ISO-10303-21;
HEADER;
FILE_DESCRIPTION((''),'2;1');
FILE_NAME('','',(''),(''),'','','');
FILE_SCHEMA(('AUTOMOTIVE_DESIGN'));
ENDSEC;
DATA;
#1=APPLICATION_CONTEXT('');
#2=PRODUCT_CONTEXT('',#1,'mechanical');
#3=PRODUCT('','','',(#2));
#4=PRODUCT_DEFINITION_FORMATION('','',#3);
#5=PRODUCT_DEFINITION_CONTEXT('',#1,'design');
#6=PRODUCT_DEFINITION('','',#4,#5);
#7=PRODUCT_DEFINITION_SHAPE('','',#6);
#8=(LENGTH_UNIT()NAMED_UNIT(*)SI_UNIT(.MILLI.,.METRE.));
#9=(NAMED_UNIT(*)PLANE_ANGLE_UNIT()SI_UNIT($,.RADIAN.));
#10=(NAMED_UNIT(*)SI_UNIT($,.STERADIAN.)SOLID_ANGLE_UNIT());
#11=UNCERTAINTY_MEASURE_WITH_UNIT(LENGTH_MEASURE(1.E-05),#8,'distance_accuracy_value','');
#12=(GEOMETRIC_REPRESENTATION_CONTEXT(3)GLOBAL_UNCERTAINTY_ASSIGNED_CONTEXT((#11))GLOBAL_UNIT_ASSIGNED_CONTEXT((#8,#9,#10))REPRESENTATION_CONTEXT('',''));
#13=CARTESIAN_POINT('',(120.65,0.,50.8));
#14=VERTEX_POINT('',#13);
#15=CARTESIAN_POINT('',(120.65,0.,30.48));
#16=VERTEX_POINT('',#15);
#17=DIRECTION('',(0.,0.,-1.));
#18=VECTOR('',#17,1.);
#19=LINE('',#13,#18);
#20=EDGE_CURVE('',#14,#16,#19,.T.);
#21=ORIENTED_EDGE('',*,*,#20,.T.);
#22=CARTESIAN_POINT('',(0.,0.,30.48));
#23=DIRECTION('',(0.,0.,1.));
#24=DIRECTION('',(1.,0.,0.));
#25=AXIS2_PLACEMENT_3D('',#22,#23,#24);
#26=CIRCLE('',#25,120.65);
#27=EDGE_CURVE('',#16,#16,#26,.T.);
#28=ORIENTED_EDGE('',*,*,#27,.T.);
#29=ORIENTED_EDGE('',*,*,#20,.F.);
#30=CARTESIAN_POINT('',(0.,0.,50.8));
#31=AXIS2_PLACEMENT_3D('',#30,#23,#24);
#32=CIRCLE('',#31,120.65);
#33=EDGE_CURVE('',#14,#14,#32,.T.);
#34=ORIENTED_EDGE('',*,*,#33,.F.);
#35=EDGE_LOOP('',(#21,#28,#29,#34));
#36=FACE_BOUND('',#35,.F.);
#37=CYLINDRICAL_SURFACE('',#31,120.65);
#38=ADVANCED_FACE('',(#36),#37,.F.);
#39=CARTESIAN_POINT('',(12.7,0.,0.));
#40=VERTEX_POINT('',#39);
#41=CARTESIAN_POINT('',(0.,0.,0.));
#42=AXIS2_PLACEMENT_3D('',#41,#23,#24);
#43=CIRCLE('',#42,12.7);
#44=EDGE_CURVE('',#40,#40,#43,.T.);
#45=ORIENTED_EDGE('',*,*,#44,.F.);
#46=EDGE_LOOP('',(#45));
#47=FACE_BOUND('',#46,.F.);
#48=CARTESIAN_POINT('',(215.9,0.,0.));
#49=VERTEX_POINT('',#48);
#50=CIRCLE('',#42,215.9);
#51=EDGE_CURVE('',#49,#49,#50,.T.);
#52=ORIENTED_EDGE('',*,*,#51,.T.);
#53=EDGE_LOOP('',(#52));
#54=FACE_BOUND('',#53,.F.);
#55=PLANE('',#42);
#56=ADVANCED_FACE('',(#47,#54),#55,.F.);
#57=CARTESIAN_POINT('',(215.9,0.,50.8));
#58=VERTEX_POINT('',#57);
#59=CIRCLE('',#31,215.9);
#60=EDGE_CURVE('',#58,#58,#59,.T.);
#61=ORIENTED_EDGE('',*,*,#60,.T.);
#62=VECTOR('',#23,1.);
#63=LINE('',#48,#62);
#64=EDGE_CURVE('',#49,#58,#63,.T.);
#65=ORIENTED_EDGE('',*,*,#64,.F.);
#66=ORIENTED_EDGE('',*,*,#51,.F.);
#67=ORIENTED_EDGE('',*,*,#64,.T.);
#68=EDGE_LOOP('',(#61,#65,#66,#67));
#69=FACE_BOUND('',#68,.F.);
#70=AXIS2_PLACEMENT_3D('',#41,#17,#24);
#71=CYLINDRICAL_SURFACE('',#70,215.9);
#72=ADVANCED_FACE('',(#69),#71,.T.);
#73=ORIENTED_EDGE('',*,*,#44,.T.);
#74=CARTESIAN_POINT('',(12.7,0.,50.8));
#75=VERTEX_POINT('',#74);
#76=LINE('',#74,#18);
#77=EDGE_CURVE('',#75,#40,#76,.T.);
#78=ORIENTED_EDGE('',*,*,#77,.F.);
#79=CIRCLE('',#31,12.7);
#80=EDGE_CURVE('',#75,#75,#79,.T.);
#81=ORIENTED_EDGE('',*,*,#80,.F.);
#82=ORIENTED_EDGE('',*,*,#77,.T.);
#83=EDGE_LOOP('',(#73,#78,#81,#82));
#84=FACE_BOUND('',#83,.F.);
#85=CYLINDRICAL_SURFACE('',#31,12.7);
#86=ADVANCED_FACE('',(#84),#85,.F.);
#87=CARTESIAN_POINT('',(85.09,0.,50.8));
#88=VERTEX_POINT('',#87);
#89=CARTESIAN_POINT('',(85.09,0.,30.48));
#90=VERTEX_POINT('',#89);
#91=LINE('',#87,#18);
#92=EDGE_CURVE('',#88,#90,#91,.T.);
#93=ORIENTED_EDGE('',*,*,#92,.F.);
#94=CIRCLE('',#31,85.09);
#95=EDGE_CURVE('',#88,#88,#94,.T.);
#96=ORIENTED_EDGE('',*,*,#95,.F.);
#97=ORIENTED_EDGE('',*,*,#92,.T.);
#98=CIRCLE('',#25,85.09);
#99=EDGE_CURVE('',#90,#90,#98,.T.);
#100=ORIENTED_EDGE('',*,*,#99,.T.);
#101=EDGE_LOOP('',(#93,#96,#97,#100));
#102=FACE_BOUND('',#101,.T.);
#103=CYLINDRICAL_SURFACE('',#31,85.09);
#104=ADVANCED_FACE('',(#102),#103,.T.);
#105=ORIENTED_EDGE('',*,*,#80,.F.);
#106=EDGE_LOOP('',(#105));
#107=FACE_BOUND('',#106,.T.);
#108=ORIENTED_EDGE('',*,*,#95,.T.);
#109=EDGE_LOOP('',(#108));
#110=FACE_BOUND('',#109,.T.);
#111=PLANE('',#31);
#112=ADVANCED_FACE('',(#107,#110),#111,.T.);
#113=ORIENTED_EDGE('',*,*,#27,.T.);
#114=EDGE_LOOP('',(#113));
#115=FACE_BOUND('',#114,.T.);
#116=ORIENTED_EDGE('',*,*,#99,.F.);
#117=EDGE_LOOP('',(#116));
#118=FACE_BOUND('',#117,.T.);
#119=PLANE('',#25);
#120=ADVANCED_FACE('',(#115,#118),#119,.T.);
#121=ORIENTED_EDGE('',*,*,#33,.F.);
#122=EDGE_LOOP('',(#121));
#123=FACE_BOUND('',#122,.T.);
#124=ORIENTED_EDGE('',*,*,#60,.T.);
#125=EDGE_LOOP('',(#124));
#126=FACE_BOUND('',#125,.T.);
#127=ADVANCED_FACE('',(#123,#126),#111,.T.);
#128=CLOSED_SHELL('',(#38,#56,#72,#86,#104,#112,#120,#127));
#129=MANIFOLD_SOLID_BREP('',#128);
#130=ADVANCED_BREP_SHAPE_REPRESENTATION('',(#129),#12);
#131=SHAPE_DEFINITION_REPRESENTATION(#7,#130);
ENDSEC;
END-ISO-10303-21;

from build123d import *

# Parameters (mm, degrees)
F0_R     = 215.9
F1_DEPTH = 50.8
F2_R     = 120.65
F2_R_2   = 85.09
F3_DEPTH = 20.32
F4_R     = 12.7
F5_DEPTH = 50.801


with BuildPart() as f1:
    # F0 (on Top) → F1 (new body)
    with BuildSketch(Plane.XY):
        Circle(F0_R)
    extrude(amount=F1_DEPTH)

    # F2 (on face) → F3 (cut)
    with BuildSketch(Plane.XY.offset(50.8)):
        Circle(F2_R)
        Circle(F2_R_2, mode=Mode.SUBTRACT)
    extrude(amount=-F3_DEPTH, mode=Mode.SUBTRACT)

    # F4 (on face) → F5 (cut, through all)
    with BuildSketch(Plane.XY.offset(50.8)):
        Circle(F4_R)
    extrude(amount=-F5_DEPTH, mode=Mode.SUBTRACT)


solid = f1.part
